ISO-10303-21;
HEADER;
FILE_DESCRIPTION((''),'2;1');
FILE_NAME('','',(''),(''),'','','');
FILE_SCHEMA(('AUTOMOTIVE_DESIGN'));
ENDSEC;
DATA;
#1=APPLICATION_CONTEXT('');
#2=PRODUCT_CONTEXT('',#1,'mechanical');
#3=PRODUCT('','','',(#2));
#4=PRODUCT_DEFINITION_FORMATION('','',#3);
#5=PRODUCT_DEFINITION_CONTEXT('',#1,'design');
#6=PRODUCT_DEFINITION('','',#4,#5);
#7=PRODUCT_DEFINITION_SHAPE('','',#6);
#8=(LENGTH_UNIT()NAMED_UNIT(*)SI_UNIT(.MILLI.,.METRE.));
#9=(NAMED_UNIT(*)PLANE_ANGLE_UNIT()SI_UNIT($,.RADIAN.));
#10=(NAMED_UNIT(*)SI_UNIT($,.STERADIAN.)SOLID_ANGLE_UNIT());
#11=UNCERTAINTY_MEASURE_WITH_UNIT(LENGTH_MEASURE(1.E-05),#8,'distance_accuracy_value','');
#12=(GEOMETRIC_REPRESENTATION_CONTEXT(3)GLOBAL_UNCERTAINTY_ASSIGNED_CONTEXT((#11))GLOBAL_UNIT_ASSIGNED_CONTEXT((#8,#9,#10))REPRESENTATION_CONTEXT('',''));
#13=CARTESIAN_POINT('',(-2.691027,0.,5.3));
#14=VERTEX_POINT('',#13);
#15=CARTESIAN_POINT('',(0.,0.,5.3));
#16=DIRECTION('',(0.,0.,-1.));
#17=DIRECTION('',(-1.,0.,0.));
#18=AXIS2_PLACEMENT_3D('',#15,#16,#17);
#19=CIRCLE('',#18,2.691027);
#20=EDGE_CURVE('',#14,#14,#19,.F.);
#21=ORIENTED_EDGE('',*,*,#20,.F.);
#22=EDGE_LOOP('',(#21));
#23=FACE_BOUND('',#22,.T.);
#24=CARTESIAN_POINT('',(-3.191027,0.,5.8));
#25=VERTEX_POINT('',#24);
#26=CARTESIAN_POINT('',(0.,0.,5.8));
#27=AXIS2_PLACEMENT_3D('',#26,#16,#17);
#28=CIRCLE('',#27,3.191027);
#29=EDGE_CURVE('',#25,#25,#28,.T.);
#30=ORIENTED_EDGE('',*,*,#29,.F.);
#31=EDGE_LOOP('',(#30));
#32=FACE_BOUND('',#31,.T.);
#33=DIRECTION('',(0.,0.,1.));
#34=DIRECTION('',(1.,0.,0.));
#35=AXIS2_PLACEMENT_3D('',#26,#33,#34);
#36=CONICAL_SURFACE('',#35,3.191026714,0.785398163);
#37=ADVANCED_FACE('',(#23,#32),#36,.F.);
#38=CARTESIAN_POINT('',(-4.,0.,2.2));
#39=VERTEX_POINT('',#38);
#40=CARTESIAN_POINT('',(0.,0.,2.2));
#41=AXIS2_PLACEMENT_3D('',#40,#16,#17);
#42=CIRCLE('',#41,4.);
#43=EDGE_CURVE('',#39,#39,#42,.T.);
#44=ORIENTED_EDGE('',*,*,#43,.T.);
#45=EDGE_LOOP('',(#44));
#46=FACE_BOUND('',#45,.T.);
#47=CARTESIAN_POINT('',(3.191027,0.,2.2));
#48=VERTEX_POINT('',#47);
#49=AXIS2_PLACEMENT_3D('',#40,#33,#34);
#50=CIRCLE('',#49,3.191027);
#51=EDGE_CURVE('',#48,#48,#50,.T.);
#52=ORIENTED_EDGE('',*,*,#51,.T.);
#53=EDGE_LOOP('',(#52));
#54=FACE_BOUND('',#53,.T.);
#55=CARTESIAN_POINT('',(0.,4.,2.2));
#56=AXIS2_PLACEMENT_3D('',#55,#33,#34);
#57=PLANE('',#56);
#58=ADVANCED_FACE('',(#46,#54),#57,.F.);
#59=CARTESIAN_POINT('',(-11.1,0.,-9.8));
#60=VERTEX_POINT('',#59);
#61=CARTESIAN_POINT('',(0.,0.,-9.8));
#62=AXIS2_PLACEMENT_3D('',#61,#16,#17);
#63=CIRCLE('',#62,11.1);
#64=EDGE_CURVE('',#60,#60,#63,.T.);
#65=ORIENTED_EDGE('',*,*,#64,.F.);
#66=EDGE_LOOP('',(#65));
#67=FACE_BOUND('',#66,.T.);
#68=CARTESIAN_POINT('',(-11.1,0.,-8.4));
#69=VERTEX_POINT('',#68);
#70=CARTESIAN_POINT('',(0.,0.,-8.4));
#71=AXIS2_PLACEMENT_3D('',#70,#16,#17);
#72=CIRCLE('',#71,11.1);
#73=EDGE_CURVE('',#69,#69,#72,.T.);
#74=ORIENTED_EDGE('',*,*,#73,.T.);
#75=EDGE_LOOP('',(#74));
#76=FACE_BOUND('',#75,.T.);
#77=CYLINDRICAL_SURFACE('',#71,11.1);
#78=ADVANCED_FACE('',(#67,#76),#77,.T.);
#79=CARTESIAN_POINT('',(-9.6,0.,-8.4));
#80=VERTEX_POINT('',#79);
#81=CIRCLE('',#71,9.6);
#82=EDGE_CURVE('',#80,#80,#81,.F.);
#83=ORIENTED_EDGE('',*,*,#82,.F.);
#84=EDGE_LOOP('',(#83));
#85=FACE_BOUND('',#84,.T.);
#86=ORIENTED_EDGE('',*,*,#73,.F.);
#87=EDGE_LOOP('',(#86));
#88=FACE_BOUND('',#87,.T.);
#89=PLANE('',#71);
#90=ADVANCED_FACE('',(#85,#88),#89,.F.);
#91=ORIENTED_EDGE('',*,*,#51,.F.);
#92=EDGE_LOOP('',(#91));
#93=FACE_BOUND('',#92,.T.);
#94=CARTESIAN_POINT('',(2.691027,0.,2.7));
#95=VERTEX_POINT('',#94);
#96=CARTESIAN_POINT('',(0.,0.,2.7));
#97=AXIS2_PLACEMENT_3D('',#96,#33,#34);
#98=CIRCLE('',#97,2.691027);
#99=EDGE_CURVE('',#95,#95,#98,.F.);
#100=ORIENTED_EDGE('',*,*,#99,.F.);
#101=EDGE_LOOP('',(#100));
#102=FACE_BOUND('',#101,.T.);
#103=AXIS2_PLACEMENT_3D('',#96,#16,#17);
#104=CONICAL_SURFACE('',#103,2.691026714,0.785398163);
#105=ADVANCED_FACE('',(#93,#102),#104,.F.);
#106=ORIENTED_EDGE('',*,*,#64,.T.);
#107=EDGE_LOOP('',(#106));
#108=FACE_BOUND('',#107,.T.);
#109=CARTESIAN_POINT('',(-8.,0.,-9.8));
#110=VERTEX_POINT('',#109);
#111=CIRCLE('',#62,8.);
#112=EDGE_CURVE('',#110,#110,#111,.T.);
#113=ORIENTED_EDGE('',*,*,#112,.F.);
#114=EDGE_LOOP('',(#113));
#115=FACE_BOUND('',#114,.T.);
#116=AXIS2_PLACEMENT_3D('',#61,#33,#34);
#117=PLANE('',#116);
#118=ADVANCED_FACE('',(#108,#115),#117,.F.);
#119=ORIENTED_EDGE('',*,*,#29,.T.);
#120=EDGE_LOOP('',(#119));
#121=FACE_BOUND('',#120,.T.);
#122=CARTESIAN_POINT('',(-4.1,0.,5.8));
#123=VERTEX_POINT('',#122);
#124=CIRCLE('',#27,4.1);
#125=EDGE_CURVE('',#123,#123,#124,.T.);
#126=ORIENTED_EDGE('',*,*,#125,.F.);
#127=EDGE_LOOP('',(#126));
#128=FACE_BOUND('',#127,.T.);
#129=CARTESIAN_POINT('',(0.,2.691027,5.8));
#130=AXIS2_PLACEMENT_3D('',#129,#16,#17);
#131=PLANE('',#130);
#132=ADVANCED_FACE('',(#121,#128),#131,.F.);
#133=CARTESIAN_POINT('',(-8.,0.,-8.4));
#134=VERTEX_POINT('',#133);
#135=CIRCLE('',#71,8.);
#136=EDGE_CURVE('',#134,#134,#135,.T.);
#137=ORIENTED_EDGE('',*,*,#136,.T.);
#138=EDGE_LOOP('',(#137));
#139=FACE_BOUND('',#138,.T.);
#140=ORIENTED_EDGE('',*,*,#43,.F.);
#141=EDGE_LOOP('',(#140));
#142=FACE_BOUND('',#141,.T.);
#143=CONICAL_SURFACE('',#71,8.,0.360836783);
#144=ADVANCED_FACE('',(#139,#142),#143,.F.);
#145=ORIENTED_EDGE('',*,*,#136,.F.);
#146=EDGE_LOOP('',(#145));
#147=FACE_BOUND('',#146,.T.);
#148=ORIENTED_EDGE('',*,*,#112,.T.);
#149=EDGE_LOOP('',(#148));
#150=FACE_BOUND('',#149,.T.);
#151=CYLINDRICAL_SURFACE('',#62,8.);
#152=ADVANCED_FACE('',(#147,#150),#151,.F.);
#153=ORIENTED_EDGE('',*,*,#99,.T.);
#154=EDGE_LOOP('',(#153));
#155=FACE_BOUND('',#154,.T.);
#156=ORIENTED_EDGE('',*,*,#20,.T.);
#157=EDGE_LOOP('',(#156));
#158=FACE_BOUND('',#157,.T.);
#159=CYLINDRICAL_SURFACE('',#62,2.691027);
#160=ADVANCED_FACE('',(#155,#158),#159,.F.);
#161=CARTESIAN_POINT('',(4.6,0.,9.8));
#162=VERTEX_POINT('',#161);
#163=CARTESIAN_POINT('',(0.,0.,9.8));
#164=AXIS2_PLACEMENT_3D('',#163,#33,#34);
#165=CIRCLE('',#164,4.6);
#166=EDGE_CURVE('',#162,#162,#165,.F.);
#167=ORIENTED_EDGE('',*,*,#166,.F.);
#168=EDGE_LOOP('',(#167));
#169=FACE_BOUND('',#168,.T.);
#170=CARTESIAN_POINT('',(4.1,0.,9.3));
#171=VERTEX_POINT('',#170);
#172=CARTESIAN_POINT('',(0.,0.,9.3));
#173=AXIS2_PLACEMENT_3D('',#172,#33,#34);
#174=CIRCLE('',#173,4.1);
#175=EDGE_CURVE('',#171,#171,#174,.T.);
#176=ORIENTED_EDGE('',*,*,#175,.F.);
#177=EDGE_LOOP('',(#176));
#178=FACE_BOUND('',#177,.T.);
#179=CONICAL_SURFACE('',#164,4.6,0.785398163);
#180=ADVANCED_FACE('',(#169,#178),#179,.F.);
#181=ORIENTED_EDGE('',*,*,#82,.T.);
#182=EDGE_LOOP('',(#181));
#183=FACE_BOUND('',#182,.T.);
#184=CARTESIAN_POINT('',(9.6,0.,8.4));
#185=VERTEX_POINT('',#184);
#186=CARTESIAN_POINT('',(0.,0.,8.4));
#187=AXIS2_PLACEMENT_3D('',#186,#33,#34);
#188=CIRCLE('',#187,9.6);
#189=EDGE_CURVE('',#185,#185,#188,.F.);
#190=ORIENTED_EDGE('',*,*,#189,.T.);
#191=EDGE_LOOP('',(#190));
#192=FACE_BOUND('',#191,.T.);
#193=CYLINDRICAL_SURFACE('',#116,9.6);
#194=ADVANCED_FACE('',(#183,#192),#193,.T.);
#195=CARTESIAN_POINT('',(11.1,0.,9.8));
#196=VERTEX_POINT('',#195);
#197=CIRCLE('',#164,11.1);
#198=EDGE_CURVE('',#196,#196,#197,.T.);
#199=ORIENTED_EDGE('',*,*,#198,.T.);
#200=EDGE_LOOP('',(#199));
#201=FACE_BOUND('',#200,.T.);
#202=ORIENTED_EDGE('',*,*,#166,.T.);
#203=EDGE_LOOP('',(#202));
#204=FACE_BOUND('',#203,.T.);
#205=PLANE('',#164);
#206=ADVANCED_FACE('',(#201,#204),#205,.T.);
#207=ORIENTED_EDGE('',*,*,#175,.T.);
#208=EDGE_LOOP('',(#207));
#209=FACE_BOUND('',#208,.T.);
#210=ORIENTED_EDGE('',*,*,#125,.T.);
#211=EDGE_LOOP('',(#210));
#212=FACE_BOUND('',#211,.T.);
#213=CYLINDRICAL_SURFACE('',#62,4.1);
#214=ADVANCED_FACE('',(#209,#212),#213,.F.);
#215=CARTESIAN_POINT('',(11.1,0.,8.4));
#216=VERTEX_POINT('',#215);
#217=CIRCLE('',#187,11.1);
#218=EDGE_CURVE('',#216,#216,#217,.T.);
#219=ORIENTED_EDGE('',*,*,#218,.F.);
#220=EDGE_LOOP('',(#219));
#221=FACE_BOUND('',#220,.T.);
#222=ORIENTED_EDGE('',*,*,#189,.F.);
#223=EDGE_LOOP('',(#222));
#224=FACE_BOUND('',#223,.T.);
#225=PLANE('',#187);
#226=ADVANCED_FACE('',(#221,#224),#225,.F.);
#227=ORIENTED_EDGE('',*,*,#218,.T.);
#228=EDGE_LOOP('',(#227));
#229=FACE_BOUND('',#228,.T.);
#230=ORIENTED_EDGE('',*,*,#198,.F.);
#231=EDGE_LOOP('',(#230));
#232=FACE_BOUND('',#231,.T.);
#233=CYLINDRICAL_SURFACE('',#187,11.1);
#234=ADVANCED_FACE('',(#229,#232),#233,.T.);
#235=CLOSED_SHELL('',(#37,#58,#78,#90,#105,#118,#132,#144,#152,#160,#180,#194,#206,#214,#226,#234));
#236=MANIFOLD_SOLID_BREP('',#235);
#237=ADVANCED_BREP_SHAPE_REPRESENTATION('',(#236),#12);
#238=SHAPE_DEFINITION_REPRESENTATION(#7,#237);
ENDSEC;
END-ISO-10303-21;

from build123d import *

# Parameters (mm, degrees)
AUFSATZ_LINEAR_AUSTRAGEN1_DEPTH      = 9.8
AUFSATZ_LINEAR_AUSTRAGEN1_DEPTH_BACK = 9.8
SKIZZE1_R                            = 9.6
SKIZZE2_R                            = 11.1
AUFSATZ_LINEAR_AUSTRAGEN2_DEPTH      = 1.4
AUFSATZ_LINEAR_START                 = -1.4
SKIZZE3_R                            = 11.1
AUFSATZ_LINEAR_AUSTRAGEN3_DEPTH      = 1.4
FASE1_SIZE                           = 0.5


with BuildPart() as part:
    # Skizze1 → Aufsatz-Linear austragen1 (new, two sides: drawn at the far end of the back side and taken through both)
    with BuildSketch(Plane.XY.offset(-AUFSATZ_LINEAR_AUSTRAGEN1_DEPTH_BACK)):
        Circle(SKIZZE1_R)
    extrude(amount=AUFSATZ_LINEAR_AUSTRAGEN1_DEPTH + AUFSATZ_LINEAR_AUSTRAGEN1_DEPTH_BACK)

    # Skizze2 → Aufsatz-Linear austragen2 (add)
    with BuildSketch(Plane.XY.offset(9.8)):
        Circle(SKIZZE2_R)
    extrude(amount=-AUFSATZ_LINEAR_AUSTRAGEN2_DEPTH)

    # Skizze3 → Aufsatz-Linear austragen3 (add)
    with BuildSketch(Plane(origin=(0, 0, -9.8), x_dir=(-1, 0, 0), z_dir=(0, 0, -1)).offset(AUFSATZ_LINEAR_START)):
        Circle(SKIZZE3_R)
    extrude(amount=AUFSATZ_LINEAR_AUSTRAGEN3_DEPTH)

    # Skizze8 → Schnitt-Rotation1 (revolve, cut)
    with BuildSketch(Plane(origin=(0, 0, 0), x_dir=(0, 0, -1), z_dir=(1, 0, 0))):
        Polygon((9.8, 0), (9.8, 8), (8.4, 8), (-2.2, 4), (-2.2, 2.691026714), (-5.8, 2.691026714), (-5.8, 4.1), (-9.8, 4.1), (-9.8, 0), align=None)
    revolve(axis=Axis((0, 0, -9.8), (0, 0, 1)), mode=Mode.SUBTRACT)

    # Fase1
    fase1_edges = [part.edges().sort_by_distance(p)[0] for p in [
        (0, -2.691026714, 5.8),
        (0, -2.691026714, 2.2),
        (0, -4.1, 9.8),
    ]]
    chamfer(fase1_edges, length=FASE1_SIZE)


solid = part.part
